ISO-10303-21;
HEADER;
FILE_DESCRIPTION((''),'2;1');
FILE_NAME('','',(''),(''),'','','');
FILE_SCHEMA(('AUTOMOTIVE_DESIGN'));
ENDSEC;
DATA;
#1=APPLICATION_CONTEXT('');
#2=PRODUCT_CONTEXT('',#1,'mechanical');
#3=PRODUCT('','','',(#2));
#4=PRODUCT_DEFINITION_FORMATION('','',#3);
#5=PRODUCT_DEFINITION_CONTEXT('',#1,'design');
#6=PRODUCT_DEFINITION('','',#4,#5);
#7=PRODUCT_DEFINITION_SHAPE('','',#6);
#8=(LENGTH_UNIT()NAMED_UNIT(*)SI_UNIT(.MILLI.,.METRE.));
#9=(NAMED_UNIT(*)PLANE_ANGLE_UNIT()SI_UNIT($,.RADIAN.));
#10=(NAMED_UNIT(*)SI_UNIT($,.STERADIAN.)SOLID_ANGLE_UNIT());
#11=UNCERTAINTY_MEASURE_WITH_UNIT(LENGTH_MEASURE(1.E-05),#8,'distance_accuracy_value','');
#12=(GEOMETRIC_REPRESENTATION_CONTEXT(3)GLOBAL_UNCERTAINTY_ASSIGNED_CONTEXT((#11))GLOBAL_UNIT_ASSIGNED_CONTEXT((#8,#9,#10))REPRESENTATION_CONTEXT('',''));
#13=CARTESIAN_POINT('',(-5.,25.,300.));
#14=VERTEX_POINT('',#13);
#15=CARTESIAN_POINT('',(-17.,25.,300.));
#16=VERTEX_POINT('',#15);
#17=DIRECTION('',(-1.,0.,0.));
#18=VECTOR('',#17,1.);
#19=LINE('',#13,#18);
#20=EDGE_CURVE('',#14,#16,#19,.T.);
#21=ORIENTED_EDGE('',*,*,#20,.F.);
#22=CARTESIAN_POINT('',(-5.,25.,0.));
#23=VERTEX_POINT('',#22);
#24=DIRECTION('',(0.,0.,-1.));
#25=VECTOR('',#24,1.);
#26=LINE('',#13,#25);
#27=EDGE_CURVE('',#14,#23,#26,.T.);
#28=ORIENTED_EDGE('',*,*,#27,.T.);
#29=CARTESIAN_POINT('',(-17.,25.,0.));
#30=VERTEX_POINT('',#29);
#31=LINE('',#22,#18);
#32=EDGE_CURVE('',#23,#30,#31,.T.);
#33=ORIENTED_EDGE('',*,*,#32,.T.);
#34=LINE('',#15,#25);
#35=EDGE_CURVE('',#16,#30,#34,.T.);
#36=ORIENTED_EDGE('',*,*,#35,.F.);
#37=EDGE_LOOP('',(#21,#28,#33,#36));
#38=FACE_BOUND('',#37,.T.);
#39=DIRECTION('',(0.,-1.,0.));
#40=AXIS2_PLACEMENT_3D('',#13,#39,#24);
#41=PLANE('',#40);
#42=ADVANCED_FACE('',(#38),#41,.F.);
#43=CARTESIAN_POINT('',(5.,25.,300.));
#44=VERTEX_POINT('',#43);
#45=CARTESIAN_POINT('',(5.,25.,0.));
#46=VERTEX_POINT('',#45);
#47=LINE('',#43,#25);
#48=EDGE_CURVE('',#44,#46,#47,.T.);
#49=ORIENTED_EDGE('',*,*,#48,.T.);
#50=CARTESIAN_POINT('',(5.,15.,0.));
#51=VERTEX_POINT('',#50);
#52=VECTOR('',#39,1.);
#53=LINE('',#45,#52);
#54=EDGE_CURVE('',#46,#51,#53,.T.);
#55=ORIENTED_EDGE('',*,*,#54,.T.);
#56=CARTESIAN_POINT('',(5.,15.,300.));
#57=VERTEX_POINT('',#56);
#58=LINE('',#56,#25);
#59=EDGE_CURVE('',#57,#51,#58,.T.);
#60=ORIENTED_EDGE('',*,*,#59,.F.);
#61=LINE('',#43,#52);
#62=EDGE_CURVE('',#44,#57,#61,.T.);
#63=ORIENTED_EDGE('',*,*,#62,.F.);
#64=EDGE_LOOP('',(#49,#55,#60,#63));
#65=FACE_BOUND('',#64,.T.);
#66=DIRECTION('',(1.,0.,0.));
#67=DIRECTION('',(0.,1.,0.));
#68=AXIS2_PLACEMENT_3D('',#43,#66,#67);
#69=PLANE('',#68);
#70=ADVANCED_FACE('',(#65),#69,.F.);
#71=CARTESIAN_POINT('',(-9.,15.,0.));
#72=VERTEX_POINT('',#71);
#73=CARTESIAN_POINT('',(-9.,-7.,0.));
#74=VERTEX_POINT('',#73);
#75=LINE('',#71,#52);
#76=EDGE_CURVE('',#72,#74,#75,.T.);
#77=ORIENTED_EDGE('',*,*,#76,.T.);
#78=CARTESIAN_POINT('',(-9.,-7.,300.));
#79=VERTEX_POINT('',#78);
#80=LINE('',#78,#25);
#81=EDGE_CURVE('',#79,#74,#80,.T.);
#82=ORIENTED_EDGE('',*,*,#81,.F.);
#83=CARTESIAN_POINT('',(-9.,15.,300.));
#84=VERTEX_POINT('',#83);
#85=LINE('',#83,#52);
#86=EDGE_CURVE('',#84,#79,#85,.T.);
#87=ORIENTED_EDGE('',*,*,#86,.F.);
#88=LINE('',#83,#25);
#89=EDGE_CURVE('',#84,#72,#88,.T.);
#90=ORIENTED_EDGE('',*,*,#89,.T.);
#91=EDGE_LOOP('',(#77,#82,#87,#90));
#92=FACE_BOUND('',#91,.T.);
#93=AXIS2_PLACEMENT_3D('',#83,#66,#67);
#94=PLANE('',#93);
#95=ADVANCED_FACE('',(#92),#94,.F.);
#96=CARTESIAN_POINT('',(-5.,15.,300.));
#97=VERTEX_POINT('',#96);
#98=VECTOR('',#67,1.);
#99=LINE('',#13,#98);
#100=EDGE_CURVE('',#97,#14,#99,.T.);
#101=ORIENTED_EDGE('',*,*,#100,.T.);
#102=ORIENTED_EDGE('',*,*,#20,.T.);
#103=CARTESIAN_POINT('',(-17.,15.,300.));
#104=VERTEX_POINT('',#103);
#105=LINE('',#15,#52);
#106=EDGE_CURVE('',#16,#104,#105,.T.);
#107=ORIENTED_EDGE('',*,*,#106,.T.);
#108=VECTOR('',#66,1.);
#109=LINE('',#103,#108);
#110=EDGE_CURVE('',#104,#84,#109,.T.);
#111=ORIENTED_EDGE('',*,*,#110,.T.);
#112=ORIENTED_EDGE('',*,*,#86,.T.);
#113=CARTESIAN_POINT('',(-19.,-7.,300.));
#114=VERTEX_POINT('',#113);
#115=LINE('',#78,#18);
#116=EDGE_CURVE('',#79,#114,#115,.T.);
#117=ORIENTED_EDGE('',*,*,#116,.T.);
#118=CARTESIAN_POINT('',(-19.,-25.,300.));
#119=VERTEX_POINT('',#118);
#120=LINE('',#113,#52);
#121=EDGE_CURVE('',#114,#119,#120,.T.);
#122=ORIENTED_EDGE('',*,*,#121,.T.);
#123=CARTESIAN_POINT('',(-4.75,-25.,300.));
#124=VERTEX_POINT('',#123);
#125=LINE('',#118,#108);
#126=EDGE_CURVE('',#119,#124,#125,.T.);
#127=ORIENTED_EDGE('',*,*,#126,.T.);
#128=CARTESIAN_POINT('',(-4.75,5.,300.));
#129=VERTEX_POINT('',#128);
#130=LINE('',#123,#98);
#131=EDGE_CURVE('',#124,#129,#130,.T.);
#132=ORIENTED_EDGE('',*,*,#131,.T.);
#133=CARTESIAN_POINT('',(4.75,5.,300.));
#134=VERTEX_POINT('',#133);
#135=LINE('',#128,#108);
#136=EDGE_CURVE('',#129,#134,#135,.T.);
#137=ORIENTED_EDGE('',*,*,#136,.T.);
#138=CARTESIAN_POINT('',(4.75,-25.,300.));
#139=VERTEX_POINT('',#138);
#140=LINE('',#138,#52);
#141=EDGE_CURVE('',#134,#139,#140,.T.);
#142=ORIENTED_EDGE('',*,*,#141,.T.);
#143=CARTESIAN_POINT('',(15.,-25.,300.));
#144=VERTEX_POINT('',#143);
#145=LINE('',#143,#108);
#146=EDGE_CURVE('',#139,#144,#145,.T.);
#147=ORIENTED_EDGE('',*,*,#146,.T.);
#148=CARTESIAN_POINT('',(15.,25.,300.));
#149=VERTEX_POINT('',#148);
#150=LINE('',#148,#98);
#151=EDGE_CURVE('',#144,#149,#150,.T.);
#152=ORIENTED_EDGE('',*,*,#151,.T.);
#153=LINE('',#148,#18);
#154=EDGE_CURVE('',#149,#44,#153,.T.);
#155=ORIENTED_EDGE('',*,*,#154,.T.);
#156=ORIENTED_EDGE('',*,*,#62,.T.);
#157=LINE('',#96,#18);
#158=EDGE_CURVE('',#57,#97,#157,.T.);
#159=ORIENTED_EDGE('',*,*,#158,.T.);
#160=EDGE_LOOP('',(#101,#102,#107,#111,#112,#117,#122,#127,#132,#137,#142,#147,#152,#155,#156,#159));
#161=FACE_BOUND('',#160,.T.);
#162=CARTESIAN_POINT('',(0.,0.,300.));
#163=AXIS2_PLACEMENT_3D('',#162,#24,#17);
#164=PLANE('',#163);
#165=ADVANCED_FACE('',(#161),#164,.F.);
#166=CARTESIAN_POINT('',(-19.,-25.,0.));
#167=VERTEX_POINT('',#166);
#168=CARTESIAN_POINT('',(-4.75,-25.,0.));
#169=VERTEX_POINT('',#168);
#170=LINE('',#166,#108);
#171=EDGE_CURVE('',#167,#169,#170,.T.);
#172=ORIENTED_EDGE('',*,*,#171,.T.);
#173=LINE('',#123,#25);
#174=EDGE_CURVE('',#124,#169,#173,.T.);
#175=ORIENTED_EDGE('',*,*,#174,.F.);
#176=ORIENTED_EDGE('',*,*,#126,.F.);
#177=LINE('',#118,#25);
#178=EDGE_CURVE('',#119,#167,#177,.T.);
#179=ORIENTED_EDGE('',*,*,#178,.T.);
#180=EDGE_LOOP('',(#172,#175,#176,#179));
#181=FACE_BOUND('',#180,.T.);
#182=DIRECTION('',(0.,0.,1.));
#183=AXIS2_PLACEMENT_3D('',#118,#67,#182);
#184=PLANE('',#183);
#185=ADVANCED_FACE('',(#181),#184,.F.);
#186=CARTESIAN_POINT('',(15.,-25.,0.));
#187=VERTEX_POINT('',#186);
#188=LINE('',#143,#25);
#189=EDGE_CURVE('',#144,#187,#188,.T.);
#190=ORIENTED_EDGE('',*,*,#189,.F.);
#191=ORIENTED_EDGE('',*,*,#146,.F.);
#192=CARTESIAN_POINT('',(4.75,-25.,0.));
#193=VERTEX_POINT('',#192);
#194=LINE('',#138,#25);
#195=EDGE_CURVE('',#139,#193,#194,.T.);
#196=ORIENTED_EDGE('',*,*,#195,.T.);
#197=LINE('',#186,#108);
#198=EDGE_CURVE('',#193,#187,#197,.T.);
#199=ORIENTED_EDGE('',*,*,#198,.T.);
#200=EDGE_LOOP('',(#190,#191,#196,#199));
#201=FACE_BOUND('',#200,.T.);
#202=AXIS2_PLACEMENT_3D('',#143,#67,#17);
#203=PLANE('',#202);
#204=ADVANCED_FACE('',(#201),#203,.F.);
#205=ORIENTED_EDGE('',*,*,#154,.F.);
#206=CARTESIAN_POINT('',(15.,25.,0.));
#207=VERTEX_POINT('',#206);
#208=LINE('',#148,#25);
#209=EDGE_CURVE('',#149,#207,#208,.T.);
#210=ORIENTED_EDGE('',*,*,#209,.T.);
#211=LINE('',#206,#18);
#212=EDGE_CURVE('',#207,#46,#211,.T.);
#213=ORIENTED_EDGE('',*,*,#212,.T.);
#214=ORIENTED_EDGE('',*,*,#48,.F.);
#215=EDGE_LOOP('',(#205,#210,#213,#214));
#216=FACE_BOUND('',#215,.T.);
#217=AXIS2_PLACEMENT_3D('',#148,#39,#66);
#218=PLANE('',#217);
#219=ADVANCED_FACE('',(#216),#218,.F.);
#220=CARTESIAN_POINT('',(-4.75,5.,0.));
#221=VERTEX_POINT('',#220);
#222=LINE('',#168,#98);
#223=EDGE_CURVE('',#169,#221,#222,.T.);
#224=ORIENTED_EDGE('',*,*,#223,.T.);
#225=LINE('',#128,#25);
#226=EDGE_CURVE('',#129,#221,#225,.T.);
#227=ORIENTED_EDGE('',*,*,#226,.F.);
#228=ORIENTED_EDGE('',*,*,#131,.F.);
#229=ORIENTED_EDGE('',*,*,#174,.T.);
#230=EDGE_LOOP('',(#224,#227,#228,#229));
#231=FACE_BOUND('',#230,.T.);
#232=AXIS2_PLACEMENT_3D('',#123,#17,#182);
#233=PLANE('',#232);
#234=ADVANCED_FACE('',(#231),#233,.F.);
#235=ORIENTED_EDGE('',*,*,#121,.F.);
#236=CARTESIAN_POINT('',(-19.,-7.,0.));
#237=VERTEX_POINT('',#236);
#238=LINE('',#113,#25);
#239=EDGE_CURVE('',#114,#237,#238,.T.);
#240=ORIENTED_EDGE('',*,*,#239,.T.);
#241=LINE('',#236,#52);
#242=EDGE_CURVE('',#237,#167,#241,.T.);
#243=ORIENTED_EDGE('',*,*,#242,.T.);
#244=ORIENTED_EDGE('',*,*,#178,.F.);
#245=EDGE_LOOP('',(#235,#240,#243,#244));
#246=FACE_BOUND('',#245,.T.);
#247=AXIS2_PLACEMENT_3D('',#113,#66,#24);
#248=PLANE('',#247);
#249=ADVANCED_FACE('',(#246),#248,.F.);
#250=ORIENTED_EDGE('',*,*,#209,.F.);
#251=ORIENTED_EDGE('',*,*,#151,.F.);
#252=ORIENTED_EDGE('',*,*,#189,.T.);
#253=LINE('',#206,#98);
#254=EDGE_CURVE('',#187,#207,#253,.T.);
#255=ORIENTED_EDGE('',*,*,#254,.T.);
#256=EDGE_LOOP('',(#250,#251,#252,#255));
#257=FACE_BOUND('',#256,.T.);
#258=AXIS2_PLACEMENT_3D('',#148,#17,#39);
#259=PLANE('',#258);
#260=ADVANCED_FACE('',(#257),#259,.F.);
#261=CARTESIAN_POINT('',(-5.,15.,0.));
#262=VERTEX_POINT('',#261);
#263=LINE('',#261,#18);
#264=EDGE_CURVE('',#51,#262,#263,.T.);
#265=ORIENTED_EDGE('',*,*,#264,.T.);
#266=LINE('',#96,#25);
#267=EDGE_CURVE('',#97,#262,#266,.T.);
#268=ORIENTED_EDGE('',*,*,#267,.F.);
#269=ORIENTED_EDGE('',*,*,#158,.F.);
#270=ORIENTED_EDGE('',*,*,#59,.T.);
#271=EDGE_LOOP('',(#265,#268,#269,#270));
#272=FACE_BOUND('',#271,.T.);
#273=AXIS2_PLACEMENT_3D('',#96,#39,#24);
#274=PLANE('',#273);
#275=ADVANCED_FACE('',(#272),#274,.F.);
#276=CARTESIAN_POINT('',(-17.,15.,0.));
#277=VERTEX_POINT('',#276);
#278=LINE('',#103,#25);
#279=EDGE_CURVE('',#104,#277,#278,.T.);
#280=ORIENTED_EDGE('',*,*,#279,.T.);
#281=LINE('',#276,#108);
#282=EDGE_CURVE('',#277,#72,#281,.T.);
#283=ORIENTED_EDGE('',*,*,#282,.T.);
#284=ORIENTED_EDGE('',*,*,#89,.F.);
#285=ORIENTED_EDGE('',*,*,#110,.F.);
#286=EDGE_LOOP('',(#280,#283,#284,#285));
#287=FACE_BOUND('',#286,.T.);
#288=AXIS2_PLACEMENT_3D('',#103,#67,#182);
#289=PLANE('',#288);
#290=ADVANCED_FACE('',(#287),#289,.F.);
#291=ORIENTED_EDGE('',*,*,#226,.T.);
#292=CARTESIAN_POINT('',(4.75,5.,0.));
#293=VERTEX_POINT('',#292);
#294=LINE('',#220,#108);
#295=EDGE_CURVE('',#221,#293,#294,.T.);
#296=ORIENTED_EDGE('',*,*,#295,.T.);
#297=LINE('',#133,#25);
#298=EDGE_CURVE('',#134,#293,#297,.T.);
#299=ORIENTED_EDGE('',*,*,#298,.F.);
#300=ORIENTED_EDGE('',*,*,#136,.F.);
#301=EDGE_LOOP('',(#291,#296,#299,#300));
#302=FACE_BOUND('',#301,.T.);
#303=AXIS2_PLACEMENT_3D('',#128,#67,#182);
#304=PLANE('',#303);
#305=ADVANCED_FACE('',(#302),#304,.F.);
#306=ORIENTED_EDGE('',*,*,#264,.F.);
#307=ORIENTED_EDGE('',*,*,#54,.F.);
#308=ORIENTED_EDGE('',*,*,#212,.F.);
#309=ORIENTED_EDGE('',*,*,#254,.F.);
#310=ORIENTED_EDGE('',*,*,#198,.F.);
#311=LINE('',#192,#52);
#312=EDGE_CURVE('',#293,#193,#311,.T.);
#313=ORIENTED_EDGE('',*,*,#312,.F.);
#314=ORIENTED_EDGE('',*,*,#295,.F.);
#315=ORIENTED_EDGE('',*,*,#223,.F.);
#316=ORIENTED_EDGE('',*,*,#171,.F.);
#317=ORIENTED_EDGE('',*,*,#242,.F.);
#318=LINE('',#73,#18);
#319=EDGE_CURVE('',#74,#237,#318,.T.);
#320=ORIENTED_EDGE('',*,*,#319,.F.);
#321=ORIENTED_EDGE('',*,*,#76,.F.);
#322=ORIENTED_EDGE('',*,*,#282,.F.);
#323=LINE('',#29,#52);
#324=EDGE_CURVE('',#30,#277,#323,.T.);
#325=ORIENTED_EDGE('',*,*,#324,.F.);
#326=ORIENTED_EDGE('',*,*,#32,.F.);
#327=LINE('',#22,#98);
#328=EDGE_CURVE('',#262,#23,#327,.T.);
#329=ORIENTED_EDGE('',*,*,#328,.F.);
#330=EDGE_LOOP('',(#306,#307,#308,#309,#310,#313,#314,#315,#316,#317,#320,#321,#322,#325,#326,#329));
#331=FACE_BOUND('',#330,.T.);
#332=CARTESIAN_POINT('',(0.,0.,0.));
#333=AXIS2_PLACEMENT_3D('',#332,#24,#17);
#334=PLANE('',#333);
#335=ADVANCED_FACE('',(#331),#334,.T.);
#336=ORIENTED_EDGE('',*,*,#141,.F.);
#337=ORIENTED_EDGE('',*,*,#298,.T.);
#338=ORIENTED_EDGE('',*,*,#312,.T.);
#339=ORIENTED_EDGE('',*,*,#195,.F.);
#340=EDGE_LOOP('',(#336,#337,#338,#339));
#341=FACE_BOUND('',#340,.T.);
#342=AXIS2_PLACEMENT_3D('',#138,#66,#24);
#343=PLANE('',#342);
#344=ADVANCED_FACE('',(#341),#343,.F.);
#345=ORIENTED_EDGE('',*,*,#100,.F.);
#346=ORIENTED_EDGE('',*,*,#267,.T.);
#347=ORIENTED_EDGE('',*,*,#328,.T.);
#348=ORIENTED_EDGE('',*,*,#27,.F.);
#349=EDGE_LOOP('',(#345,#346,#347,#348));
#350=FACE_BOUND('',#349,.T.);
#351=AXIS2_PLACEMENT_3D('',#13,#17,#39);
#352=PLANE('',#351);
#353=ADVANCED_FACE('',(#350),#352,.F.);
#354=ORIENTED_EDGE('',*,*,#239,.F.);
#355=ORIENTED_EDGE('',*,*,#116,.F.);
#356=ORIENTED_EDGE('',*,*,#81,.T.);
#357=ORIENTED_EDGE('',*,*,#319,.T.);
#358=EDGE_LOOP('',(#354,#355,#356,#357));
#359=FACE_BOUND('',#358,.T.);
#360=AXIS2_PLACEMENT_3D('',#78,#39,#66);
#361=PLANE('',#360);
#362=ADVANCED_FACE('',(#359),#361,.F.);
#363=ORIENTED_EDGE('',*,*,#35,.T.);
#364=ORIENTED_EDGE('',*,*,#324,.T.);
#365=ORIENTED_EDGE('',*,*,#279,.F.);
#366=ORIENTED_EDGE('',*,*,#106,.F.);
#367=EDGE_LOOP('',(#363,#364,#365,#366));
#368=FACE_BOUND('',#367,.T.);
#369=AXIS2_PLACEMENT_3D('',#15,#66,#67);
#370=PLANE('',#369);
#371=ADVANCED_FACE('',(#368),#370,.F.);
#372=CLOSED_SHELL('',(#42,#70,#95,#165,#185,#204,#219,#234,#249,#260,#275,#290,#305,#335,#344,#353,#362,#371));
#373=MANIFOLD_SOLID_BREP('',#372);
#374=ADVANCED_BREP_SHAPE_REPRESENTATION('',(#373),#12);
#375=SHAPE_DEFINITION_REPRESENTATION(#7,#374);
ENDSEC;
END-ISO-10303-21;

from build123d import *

# Parameters (mm, degrees)
BOSS_EXTRUDE1_DEPTH = 300


with BuildPart() as part:
    # Sketch1 → Boss-Extrude1 (new body)
    with BuildSketch(Plane.XY):
        Polygon((15, 25), (5, 25), (5, 15), (-5, 15), (-5, 25), (-17, 25), (-17, 15), (-9, 15), (-9, -7), (-19, -7), (-19, -25), (-4.75, -25), (-4.75, 5), (4.75, 5), (4.75, -25), (15, -25), align=None)
    extrude(amount=BOSS_EXTRUDE1_DEPTH)


solid = part.part
